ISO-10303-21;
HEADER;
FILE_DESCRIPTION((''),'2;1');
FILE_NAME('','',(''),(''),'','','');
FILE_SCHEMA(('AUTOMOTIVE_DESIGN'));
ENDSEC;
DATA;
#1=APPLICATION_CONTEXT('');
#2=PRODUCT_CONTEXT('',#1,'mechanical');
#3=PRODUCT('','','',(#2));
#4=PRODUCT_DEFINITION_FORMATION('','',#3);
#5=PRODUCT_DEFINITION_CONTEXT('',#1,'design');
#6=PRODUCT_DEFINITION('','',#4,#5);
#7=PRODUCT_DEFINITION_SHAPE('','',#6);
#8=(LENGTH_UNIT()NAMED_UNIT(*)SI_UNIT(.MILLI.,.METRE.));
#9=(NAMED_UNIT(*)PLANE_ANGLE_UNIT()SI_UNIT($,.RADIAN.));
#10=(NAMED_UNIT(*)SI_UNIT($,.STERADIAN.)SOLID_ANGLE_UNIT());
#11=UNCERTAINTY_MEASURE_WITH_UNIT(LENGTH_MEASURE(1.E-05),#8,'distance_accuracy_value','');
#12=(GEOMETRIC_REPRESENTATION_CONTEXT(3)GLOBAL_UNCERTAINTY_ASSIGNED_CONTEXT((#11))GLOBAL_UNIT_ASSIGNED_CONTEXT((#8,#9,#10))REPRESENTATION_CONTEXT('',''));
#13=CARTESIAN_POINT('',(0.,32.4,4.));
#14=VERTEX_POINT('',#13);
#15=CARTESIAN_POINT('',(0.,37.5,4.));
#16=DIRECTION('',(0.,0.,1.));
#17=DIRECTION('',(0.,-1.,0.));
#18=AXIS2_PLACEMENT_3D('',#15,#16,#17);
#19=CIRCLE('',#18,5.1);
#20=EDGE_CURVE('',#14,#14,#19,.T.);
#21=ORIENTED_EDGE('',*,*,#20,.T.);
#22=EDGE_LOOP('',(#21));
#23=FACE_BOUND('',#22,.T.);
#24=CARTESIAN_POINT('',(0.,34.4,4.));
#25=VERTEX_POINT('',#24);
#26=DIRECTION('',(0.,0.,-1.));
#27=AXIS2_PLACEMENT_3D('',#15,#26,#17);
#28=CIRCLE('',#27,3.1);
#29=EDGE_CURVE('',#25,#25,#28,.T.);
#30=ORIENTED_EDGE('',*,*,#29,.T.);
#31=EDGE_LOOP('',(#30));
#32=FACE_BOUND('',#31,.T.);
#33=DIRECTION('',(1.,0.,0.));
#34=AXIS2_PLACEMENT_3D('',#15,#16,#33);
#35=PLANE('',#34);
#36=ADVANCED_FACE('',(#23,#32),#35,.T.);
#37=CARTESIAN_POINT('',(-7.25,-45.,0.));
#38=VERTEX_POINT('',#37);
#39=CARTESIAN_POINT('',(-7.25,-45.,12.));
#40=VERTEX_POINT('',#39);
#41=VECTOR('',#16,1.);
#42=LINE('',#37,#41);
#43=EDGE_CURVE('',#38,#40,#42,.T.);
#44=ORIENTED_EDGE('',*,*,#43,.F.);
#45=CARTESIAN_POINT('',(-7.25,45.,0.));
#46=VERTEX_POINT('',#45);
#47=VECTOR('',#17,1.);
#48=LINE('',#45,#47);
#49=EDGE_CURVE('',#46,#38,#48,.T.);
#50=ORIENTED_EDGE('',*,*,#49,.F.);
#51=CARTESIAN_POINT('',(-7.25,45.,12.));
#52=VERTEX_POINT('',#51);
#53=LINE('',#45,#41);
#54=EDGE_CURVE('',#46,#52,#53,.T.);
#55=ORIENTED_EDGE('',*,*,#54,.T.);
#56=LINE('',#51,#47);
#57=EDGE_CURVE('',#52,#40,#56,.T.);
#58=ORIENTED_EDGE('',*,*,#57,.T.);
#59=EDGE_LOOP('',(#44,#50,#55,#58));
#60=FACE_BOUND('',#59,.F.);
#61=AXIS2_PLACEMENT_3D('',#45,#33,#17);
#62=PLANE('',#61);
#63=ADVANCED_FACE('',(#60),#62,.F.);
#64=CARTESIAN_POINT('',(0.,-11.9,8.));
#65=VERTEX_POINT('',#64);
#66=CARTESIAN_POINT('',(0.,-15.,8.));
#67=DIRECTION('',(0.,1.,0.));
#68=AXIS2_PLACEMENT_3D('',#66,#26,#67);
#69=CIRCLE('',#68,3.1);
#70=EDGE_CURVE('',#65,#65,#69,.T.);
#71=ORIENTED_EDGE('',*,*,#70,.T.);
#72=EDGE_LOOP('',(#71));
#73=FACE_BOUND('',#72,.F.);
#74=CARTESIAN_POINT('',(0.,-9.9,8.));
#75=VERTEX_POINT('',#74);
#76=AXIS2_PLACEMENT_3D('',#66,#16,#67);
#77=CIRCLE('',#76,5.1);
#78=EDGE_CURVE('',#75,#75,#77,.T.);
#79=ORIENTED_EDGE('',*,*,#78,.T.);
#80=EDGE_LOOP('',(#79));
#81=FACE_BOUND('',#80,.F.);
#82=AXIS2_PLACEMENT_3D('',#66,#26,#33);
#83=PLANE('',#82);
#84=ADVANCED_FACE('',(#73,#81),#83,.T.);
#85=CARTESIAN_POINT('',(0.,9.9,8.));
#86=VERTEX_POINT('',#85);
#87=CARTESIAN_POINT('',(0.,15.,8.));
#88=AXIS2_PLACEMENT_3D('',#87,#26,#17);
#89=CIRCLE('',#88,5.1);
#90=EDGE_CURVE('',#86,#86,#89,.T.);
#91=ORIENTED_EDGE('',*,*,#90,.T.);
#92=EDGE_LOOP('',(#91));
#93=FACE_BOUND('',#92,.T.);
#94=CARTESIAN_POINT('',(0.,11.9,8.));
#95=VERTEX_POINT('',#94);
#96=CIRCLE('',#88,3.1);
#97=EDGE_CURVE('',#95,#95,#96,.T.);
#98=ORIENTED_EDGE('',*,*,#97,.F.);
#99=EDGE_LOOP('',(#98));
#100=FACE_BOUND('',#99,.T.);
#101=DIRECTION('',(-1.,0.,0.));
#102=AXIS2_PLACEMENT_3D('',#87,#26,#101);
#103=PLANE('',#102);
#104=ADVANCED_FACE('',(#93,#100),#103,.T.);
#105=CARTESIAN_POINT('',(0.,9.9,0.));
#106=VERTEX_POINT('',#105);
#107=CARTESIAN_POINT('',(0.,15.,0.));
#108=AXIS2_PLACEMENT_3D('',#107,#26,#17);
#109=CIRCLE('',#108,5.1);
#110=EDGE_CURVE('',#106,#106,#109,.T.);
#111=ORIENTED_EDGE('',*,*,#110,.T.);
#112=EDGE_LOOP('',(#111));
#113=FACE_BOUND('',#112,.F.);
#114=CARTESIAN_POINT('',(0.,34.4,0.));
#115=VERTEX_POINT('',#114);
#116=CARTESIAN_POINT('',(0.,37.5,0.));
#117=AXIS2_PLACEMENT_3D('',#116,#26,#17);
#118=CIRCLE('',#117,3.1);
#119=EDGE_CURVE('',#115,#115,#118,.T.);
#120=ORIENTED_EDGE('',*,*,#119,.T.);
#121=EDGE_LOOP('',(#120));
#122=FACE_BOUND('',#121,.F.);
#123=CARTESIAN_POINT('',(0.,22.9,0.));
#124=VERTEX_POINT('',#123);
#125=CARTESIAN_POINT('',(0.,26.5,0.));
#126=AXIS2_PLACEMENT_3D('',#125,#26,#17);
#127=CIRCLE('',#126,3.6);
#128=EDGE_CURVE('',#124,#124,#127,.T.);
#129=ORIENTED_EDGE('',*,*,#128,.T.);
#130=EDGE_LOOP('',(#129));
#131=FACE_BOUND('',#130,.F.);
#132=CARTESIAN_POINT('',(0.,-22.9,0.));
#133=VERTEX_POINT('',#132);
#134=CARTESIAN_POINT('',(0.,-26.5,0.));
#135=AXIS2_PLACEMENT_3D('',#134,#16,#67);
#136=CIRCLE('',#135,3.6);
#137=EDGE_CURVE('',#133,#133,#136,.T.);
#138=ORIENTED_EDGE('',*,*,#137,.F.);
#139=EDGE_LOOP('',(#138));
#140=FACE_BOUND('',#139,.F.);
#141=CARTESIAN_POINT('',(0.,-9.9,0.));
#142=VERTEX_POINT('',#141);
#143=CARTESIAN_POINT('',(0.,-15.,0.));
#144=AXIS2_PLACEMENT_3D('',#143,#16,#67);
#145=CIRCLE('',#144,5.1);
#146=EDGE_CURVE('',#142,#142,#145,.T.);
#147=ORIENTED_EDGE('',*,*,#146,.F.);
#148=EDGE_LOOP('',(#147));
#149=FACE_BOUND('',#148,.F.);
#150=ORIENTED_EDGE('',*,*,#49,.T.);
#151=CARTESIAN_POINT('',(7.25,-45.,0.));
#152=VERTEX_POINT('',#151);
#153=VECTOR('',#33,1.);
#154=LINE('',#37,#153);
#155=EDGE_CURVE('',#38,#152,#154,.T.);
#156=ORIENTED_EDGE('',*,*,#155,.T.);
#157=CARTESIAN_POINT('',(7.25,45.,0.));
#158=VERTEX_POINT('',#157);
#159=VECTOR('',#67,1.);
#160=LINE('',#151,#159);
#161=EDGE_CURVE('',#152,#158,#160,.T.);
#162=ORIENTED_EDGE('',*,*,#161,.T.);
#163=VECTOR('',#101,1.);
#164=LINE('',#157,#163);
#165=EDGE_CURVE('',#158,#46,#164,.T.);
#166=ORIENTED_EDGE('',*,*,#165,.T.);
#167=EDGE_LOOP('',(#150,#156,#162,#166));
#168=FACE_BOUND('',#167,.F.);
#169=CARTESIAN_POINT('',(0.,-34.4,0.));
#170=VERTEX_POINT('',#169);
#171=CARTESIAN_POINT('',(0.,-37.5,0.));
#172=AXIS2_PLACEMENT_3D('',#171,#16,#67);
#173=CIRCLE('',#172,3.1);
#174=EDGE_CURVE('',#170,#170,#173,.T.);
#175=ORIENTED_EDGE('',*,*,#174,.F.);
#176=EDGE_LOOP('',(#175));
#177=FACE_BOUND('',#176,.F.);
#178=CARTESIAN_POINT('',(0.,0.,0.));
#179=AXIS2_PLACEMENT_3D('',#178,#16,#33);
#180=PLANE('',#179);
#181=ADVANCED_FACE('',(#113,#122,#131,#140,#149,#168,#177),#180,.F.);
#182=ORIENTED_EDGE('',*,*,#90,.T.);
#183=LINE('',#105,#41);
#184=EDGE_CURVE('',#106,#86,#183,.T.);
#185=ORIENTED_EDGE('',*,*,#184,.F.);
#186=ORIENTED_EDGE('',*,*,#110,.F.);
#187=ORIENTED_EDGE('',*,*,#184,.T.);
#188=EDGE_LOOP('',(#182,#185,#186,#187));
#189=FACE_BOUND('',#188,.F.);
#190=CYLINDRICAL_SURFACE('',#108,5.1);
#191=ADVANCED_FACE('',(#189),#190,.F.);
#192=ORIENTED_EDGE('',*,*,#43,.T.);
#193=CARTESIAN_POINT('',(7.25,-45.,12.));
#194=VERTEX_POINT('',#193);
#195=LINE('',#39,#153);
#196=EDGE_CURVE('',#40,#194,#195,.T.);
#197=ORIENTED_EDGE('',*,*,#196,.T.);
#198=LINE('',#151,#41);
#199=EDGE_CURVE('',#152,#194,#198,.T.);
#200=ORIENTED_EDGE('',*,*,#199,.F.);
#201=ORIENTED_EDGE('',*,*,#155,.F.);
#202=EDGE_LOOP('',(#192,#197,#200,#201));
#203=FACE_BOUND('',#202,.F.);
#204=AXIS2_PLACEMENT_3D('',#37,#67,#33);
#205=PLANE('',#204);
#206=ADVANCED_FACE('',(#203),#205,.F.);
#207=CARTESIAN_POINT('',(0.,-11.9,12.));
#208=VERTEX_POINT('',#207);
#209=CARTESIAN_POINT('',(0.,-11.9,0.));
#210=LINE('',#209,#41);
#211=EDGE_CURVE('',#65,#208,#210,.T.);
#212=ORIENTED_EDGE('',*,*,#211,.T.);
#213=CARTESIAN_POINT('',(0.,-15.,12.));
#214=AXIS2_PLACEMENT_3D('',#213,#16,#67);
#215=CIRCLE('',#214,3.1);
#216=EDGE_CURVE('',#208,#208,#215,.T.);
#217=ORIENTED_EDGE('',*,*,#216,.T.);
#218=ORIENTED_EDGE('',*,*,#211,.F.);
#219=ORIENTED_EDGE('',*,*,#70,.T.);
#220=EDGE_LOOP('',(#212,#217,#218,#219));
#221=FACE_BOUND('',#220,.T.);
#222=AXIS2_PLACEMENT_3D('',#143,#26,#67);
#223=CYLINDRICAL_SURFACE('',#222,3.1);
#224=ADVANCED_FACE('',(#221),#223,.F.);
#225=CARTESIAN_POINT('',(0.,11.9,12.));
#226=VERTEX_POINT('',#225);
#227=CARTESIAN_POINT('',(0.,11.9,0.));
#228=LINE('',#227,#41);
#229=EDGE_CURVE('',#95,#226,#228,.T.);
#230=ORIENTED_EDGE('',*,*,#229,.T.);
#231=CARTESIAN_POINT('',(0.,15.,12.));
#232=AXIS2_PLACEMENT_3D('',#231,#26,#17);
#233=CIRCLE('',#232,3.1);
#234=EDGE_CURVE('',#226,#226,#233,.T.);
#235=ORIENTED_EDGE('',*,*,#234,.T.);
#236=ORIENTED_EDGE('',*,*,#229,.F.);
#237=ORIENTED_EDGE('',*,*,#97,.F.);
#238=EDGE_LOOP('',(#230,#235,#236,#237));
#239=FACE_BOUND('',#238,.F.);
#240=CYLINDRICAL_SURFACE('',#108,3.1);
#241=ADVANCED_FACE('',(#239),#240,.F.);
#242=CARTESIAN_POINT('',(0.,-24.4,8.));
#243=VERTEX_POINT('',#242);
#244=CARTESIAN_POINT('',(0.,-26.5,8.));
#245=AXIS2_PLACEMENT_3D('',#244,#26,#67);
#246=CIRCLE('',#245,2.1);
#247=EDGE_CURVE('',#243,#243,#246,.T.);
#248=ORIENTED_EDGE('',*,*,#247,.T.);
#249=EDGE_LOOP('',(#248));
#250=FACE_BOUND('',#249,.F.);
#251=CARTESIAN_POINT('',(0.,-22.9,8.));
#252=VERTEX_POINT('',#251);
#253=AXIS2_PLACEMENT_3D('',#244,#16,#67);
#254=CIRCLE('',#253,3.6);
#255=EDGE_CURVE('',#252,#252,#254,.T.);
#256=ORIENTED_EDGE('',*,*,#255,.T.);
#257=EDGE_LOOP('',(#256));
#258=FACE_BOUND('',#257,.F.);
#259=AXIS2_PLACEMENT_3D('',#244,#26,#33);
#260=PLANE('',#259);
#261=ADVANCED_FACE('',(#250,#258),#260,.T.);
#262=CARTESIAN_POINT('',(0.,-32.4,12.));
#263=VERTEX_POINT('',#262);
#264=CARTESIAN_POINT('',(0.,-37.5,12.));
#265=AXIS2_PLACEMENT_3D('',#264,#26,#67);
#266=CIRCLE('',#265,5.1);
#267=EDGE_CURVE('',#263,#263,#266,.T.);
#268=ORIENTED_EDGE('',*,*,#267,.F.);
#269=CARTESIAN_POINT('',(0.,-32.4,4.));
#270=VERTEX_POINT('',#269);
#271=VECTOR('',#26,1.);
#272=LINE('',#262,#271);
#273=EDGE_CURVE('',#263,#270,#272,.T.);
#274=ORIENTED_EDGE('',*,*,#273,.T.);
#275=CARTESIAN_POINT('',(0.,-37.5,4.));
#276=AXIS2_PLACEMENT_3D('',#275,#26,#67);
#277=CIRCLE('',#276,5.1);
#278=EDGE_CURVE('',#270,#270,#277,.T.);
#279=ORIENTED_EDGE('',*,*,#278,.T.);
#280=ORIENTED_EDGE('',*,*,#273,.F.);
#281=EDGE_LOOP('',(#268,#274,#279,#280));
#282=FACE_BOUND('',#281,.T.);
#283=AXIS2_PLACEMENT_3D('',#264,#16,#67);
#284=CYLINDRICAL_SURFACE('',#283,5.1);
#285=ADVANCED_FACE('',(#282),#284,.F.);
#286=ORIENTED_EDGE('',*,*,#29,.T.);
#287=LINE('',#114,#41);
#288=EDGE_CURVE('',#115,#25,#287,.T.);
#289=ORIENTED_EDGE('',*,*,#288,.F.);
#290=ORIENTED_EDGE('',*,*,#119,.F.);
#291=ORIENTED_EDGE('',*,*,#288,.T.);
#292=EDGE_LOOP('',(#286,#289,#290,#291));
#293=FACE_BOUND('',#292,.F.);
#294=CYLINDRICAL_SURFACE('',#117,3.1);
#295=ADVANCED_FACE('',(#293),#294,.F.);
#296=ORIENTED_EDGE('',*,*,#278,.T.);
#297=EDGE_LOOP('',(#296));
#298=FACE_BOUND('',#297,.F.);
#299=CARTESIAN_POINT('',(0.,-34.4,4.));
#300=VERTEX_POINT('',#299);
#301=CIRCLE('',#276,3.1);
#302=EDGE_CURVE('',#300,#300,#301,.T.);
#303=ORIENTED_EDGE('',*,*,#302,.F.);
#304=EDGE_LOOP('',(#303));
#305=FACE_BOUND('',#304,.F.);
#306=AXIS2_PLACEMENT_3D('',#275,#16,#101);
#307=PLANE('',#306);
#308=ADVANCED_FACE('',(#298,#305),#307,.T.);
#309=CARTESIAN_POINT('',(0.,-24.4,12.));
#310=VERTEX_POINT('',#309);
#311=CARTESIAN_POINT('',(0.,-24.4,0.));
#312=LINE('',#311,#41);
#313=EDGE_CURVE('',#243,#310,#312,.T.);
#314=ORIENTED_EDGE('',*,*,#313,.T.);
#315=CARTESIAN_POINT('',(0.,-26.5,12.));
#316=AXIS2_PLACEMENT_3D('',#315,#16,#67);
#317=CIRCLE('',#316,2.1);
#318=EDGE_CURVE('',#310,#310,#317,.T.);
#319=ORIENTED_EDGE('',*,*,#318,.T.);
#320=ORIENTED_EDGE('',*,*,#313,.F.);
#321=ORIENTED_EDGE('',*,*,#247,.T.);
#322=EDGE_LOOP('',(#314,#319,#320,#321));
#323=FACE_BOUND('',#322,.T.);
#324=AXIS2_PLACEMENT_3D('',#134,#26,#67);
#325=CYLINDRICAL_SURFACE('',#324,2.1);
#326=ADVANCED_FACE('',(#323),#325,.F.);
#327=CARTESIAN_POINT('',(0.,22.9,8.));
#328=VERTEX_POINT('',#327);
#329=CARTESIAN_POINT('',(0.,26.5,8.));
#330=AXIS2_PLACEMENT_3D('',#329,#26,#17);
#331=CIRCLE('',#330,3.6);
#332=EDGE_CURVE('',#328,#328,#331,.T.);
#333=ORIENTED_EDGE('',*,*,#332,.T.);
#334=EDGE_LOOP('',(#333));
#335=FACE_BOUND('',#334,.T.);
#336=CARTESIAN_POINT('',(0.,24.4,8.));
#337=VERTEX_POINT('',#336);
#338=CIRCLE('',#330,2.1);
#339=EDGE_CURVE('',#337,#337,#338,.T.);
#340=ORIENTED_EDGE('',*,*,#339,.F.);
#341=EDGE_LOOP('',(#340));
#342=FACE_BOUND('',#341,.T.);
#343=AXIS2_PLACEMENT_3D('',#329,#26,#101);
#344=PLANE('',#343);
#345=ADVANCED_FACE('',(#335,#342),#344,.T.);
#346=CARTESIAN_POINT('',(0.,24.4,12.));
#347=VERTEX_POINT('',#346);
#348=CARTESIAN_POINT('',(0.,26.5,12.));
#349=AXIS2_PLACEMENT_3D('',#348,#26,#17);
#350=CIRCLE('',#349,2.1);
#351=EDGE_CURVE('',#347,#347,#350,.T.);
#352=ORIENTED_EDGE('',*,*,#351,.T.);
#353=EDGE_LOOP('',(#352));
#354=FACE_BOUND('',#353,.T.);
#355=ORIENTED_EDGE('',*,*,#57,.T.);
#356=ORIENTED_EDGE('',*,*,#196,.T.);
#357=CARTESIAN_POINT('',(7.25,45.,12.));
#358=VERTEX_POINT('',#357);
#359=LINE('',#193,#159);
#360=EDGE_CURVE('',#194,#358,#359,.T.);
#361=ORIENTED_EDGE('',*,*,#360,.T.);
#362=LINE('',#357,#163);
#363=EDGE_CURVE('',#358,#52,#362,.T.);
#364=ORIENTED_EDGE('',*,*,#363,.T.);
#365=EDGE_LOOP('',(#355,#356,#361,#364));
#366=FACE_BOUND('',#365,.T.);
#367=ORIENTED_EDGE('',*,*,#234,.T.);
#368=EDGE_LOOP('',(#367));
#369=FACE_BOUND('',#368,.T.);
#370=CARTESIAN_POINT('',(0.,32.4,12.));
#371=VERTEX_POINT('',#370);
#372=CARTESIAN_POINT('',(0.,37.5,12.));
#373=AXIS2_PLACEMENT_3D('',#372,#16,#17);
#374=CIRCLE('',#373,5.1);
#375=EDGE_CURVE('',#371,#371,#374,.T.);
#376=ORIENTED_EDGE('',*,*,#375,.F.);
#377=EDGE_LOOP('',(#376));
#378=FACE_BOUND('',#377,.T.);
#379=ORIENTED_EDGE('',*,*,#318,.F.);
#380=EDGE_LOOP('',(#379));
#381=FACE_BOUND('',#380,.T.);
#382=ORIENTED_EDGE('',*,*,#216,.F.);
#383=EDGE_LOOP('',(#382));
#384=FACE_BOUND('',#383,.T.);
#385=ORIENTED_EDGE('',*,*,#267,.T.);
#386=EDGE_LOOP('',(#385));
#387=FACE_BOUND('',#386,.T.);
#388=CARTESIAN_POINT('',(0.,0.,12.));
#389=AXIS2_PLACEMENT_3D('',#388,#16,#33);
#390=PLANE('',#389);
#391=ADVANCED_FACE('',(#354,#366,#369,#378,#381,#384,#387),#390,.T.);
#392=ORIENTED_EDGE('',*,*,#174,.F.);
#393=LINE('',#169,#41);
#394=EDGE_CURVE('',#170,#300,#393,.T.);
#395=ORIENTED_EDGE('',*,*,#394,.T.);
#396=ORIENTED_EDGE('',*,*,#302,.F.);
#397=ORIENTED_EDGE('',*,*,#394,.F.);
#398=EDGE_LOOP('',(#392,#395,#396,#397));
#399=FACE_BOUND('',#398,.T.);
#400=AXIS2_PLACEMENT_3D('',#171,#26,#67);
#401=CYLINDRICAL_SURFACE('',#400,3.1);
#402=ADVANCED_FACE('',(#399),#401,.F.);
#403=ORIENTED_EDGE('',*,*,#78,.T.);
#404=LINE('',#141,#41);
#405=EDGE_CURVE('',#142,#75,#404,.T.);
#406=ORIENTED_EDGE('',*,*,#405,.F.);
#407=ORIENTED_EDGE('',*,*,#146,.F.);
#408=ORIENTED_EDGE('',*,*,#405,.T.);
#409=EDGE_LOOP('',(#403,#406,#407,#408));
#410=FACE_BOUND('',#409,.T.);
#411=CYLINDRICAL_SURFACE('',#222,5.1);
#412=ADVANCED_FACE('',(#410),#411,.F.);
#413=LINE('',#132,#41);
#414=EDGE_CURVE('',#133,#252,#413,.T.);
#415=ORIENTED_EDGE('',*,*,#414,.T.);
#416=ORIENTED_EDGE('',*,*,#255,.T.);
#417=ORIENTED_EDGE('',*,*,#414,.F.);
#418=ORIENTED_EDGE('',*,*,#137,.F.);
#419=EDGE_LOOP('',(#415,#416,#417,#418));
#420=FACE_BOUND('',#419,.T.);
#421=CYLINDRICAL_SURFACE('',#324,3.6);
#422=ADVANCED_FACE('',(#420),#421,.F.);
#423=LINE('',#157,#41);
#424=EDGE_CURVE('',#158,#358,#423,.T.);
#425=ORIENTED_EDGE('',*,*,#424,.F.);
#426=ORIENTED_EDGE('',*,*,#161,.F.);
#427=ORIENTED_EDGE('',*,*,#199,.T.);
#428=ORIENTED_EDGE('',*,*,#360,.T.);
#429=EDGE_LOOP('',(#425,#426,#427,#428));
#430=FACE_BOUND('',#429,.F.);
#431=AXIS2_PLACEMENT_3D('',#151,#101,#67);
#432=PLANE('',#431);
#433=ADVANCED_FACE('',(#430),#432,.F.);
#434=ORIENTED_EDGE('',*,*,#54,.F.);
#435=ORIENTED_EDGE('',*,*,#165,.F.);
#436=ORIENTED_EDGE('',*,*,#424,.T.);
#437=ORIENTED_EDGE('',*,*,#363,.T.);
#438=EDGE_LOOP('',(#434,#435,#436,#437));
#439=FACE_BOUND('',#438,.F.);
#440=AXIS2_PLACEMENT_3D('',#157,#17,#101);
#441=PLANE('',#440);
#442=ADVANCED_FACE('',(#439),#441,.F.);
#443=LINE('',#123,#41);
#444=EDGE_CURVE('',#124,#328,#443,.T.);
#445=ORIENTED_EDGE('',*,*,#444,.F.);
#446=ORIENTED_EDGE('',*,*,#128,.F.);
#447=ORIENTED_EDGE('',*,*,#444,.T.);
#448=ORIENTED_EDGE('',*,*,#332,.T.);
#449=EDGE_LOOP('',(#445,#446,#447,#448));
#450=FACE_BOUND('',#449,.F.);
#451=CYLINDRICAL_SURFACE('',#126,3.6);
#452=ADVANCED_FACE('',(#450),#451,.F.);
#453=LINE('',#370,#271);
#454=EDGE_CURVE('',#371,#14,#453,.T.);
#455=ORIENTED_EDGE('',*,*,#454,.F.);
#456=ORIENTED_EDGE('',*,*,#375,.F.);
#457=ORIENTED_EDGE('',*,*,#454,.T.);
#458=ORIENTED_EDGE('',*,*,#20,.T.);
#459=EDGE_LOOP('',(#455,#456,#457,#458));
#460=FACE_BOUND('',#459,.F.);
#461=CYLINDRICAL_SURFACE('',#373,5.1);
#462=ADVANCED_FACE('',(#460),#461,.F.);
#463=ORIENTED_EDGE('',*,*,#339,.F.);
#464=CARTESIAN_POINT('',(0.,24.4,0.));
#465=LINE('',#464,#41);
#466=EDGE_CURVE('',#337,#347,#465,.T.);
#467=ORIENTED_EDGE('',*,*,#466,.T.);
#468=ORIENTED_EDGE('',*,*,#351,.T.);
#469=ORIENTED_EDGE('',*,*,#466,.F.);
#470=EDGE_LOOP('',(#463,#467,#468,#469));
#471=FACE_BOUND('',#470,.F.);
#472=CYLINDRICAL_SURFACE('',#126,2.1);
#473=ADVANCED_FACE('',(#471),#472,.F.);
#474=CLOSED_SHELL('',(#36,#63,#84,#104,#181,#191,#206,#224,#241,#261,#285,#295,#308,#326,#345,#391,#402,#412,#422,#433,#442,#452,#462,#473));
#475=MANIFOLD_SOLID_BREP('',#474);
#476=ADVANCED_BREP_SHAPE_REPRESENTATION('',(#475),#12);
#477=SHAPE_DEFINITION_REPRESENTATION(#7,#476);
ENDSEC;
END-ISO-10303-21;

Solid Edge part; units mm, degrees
sketch "Sketch1" plane through (0, 0, 0) normal (0, 0, 1) x (1, 0, 0)
  line L0 (-7.25, -45) -> (7.25, -45)
  line L1 (7.25, -45) -> (7.25, 45)
  line L2 (7.25, 45) -> (-7.25, 45)
  line L3 (-7.25, 45) -> (-7.25, -45)
  dimension "D1" = 14.5
  dimension "D2" = 90
extrude "Protrusion1" add sketch "Sketch1" along normal blind 12
sketch "Sketch2" plane through (0, 0, 0) normal (0, 0, -1) x (0, -1, 0)
  circle A0 centre (-26.5, 0) radius 2.1
  circle A1 centre (-37.5, 0) radius 3.1
  circle A2 centre (-15, 0) radius 3.1
  dimension "D1" = 15
  dimension "D2" = 26.5
  dimension "D3" = 37.5
extrude "Cutout1" cut sketch "Sketch2" against normal up to next
sketch "Sketch3" plane through (0, 0, 0) normal (0, 0, -1) x (0, -1, 0)
  circle A0 centre (-15, 0) radius 5.1
  circle A1 centre (-26.5, 0) radius 3.6
extrude "ExtrudedCutout_2" cut sketch "Sketch3" against normal blind 8
sketch "Sketch4" plane through (0, 0, 12) normal (0, 0, 1) x (0, -1, 0)
  circle A0 centre (-37.5, 0) radius 5.1
extrude "ExtrudedCutout_3" cut sketch "Sketch4" against normal blind 8
mirror "Mirror1" about plane through (0, 0, 0) normal (0, 1, 0) of "Cutout1", "ExtrudedCutout_2", "ExtrudedCutout_3"
